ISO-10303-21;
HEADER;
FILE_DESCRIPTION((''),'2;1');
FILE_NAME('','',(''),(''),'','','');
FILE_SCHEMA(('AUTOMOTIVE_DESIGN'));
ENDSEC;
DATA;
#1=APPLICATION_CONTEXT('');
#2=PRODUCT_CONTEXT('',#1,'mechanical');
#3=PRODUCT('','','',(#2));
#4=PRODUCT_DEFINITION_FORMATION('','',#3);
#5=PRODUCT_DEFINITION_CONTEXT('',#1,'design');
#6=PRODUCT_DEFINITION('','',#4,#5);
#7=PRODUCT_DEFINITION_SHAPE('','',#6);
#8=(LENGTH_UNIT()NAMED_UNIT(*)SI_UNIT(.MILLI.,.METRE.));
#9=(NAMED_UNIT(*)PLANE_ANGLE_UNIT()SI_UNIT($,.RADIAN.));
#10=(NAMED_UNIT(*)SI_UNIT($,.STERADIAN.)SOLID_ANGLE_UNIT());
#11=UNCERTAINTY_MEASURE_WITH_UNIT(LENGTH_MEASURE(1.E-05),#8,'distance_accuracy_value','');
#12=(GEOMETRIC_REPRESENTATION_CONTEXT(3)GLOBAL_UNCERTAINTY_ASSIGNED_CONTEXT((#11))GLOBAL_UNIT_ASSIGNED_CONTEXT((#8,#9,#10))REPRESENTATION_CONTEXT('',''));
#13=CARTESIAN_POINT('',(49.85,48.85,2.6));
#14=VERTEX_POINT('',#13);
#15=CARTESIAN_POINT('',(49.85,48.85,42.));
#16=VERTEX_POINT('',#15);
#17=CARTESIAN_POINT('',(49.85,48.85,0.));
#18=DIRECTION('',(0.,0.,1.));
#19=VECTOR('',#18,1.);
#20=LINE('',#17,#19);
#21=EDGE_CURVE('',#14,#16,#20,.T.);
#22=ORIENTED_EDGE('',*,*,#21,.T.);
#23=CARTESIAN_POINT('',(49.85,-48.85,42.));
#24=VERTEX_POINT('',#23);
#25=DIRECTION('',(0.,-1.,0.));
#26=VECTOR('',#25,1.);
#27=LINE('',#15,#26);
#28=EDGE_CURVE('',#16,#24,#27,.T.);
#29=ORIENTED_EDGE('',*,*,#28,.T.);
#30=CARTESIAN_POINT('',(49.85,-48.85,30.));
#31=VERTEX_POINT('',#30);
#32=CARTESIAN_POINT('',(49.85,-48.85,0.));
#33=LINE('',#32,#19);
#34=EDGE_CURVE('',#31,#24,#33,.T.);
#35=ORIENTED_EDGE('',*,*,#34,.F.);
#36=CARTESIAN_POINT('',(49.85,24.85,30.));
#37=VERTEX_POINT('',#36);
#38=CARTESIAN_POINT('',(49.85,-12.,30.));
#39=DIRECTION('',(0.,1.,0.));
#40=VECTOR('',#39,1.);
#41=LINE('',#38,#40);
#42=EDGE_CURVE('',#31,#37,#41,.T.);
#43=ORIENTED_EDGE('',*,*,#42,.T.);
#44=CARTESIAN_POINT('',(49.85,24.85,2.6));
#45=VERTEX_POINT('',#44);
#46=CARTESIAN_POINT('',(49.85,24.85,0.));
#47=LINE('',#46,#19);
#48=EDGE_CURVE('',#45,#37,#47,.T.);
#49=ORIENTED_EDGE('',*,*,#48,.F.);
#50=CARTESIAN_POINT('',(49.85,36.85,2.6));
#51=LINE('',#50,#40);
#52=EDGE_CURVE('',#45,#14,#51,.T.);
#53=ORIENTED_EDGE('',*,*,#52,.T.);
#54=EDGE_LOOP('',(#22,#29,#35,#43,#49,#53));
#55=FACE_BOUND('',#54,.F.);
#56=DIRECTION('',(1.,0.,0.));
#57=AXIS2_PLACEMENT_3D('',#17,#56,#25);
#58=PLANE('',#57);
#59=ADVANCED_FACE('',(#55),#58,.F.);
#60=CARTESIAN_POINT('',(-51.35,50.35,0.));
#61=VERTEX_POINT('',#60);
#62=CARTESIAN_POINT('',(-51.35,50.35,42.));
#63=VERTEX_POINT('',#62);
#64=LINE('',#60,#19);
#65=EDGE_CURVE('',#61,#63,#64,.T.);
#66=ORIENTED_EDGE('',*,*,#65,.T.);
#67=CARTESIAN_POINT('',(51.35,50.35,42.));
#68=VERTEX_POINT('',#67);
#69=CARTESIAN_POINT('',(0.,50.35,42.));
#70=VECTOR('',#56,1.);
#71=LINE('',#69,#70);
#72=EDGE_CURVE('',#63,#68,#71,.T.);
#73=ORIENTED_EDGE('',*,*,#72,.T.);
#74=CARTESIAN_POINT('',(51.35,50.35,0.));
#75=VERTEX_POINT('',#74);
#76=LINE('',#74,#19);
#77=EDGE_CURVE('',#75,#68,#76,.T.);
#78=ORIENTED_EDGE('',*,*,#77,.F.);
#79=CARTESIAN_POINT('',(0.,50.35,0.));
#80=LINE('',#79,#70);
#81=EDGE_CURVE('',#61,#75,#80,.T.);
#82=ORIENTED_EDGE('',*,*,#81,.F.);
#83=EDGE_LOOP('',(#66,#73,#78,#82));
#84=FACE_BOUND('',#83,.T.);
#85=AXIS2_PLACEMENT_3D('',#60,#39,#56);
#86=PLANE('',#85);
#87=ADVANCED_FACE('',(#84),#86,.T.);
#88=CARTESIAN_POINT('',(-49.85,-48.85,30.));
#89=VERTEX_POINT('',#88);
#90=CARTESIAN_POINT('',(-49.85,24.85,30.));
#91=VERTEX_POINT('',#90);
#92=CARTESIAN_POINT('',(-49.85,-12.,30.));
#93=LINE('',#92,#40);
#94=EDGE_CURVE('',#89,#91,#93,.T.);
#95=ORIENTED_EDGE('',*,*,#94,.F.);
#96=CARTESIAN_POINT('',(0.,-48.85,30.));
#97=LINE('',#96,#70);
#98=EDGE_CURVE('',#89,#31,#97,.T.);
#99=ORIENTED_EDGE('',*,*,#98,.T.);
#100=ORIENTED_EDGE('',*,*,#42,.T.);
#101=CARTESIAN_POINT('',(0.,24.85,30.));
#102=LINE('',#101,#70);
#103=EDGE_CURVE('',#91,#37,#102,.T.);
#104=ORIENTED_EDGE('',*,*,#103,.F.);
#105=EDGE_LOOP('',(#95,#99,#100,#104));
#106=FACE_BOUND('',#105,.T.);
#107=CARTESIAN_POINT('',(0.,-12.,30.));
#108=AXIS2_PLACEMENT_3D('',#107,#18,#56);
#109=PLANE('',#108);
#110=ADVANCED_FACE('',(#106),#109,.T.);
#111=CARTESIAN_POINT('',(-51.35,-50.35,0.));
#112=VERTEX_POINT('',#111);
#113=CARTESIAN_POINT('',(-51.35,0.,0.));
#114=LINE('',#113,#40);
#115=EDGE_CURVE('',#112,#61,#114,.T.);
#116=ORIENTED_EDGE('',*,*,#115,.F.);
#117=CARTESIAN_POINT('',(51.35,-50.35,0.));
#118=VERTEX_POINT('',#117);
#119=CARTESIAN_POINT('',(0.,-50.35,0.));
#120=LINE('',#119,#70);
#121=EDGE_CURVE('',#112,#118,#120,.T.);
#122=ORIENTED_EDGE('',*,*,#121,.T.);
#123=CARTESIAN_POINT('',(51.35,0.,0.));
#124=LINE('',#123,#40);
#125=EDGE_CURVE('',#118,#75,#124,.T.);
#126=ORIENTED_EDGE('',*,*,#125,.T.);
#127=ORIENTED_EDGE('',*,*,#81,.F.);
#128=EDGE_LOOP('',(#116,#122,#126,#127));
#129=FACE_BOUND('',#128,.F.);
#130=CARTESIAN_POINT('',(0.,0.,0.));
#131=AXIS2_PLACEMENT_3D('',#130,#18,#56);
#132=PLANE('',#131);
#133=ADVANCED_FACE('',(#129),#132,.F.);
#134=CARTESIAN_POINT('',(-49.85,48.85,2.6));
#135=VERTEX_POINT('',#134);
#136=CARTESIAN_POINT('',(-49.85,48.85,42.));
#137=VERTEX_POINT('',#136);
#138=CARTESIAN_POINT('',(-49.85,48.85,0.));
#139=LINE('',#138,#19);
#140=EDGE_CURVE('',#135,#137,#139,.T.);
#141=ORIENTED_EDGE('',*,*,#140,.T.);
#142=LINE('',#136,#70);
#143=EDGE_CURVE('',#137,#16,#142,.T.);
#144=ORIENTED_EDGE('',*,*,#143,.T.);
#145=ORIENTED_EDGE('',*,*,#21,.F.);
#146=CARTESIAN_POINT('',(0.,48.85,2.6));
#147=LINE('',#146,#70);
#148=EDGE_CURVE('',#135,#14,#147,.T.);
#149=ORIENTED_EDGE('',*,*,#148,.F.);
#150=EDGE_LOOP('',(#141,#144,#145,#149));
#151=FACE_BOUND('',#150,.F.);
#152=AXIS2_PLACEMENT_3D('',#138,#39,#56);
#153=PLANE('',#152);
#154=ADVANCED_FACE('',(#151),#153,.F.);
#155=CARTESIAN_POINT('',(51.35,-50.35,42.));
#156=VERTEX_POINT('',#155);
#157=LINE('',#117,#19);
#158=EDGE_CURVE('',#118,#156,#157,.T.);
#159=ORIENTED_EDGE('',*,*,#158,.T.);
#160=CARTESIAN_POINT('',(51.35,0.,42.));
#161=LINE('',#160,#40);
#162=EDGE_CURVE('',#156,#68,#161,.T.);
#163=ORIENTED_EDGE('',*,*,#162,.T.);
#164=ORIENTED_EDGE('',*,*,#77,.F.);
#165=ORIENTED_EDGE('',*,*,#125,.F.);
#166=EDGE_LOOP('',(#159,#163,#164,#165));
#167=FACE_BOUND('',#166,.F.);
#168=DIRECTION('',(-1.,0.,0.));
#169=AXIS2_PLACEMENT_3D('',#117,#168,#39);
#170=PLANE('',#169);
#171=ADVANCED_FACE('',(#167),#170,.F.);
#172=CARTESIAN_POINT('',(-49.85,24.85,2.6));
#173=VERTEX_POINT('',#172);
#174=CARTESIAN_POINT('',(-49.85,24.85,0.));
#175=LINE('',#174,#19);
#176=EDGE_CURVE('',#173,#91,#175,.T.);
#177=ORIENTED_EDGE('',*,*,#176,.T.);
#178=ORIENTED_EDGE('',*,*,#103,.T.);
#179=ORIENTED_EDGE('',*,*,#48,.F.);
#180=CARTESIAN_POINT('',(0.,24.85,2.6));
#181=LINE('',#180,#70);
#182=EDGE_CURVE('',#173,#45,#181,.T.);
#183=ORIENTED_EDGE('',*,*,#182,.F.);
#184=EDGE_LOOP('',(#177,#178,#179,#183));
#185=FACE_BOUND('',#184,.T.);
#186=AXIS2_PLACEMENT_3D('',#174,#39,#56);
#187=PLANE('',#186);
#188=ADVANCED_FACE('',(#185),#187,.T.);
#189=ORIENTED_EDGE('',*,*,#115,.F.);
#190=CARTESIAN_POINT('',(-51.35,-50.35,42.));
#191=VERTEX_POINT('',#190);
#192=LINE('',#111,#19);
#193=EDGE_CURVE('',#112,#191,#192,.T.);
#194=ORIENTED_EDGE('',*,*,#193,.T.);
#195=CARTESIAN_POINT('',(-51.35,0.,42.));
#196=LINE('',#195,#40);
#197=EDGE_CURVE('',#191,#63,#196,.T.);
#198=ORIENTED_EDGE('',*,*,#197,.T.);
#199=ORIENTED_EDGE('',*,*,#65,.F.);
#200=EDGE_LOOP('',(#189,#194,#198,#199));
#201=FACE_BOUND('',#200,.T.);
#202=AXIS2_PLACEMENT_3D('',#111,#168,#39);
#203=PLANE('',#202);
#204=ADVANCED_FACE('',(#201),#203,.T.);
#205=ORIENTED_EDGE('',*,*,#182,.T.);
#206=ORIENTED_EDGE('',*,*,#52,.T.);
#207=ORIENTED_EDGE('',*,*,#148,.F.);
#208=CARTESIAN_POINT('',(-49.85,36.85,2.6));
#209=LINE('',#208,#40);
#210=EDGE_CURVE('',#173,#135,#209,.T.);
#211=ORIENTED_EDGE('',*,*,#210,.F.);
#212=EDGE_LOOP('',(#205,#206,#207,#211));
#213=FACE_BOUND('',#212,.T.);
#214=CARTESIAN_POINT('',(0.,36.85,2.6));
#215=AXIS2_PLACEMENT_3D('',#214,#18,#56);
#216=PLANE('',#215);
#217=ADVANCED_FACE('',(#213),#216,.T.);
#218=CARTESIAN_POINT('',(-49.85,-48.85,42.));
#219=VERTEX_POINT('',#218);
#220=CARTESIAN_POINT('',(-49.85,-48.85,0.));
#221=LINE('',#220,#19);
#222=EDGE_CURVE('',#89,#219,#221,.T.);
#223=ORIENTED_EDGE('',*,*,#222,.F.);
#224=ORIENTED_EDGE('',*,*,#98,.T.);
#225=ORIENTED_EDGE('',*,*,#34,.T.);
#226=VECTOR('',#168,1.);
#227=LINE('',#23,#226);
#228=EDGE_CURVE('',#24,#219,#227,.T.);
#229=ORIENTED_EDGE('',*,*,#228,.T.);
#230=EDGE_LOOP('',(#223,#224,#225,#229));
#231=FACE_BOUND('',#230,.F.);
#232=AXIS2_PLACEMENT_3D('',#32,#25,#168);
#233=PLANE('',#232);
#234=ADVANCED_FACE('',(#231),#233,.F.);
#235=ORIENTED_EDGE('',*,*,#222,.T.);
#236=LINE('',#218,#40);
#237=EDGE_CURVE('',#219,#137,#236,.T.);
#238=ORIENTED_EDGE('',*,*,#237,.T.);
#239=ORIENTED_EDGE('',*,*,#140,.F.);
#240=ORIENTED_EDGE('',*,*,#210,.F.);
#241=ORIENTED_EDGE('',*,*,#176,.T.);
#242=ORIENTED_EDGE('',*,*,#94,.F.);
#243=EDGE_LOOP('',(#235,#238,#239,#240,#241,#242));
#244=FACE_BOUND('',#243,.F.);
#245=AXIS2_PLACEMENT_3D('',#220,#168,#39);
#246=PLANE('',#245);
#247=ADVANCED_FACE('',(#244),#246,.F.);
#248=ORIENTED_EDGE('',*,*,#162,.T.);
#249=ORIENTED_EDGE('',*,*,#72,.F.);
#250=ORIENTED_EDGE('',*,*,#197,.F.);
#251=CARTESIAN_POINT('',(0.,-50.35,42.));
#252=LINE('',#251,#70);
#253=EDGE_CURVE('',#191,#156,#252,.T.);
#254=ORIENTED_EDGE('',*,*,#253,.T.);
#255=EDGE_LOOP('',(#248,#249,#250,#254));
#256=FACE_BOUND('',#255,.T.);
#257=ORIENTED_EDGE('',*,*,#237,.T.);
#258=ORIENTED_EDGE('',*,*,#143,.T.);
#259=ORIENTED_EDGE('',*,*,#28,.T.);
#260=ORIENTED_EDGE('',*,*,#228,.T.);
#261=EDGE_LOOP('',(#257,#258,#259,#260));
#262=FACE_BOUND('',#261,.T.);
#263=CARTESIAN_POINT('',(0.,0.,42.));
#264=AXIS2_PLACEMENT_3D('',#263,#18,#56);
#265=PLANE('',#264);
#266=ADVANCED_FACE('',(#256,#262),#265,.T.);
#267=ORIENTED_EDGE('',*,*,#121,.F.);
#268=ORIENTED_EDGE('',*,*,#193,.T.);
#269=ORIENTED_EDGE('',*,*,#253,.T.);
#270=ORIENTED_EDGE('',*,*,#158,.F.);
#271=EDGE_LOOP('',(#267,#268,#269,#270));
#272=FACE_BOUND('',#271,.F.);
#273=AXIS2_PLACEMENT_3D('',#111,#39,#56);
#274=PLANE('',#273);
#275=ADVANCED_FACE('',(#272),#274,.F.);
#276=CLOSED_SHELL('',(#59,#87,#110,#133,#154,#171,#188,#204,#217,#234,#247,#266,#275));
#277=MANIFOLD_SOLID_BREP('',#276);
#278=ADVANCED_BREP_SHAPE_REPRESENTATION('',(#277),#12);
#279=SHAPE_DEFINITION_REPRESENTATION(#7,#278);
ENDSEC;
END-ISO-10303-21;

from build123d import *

# Parameters (mm, degrees)
F0_W     = 99.7
F0_H     = 24
F1_DEPTH = 2.6
F0_H_2   = 73.7
F2_DEPTH = 30
F0_W_2   = 102.7
F0_H_3   = 100.7
F3_DEPTH = 42


with BuildPart() as f1:
    # F0 (on Top) → F1 (new body)
    with BuildSketch(Plane.XY):
        with Locations((0, 36.85)):
            Rectangle(F0_W, F0_H)
    extrude(amount=F1_DEPTH)

    # F0 (on Top) → F2 (join)
    with BuildSketch(Plane.XY):
        with Locations((0, -12)):
            Rectangle(F0_W, F0_H_2)
    extrude(amount=F2_DEPTH)

    # F0 (on Top) → F3 (join)
    with BuildSketch(Plane.XY):
        Rectangle(F0_W_2, F0_H_3)
        Polygon((-49.85, 24.85), (-49.85, 48.85), (49.85, 48.85), (49.85, 24.85), (49.85, -48.85), (-49.85, -48.85), align=None, mode=Mode.SUBTRACT)
    extrude(amount=F3_DEPTH)


solid = f1.part
